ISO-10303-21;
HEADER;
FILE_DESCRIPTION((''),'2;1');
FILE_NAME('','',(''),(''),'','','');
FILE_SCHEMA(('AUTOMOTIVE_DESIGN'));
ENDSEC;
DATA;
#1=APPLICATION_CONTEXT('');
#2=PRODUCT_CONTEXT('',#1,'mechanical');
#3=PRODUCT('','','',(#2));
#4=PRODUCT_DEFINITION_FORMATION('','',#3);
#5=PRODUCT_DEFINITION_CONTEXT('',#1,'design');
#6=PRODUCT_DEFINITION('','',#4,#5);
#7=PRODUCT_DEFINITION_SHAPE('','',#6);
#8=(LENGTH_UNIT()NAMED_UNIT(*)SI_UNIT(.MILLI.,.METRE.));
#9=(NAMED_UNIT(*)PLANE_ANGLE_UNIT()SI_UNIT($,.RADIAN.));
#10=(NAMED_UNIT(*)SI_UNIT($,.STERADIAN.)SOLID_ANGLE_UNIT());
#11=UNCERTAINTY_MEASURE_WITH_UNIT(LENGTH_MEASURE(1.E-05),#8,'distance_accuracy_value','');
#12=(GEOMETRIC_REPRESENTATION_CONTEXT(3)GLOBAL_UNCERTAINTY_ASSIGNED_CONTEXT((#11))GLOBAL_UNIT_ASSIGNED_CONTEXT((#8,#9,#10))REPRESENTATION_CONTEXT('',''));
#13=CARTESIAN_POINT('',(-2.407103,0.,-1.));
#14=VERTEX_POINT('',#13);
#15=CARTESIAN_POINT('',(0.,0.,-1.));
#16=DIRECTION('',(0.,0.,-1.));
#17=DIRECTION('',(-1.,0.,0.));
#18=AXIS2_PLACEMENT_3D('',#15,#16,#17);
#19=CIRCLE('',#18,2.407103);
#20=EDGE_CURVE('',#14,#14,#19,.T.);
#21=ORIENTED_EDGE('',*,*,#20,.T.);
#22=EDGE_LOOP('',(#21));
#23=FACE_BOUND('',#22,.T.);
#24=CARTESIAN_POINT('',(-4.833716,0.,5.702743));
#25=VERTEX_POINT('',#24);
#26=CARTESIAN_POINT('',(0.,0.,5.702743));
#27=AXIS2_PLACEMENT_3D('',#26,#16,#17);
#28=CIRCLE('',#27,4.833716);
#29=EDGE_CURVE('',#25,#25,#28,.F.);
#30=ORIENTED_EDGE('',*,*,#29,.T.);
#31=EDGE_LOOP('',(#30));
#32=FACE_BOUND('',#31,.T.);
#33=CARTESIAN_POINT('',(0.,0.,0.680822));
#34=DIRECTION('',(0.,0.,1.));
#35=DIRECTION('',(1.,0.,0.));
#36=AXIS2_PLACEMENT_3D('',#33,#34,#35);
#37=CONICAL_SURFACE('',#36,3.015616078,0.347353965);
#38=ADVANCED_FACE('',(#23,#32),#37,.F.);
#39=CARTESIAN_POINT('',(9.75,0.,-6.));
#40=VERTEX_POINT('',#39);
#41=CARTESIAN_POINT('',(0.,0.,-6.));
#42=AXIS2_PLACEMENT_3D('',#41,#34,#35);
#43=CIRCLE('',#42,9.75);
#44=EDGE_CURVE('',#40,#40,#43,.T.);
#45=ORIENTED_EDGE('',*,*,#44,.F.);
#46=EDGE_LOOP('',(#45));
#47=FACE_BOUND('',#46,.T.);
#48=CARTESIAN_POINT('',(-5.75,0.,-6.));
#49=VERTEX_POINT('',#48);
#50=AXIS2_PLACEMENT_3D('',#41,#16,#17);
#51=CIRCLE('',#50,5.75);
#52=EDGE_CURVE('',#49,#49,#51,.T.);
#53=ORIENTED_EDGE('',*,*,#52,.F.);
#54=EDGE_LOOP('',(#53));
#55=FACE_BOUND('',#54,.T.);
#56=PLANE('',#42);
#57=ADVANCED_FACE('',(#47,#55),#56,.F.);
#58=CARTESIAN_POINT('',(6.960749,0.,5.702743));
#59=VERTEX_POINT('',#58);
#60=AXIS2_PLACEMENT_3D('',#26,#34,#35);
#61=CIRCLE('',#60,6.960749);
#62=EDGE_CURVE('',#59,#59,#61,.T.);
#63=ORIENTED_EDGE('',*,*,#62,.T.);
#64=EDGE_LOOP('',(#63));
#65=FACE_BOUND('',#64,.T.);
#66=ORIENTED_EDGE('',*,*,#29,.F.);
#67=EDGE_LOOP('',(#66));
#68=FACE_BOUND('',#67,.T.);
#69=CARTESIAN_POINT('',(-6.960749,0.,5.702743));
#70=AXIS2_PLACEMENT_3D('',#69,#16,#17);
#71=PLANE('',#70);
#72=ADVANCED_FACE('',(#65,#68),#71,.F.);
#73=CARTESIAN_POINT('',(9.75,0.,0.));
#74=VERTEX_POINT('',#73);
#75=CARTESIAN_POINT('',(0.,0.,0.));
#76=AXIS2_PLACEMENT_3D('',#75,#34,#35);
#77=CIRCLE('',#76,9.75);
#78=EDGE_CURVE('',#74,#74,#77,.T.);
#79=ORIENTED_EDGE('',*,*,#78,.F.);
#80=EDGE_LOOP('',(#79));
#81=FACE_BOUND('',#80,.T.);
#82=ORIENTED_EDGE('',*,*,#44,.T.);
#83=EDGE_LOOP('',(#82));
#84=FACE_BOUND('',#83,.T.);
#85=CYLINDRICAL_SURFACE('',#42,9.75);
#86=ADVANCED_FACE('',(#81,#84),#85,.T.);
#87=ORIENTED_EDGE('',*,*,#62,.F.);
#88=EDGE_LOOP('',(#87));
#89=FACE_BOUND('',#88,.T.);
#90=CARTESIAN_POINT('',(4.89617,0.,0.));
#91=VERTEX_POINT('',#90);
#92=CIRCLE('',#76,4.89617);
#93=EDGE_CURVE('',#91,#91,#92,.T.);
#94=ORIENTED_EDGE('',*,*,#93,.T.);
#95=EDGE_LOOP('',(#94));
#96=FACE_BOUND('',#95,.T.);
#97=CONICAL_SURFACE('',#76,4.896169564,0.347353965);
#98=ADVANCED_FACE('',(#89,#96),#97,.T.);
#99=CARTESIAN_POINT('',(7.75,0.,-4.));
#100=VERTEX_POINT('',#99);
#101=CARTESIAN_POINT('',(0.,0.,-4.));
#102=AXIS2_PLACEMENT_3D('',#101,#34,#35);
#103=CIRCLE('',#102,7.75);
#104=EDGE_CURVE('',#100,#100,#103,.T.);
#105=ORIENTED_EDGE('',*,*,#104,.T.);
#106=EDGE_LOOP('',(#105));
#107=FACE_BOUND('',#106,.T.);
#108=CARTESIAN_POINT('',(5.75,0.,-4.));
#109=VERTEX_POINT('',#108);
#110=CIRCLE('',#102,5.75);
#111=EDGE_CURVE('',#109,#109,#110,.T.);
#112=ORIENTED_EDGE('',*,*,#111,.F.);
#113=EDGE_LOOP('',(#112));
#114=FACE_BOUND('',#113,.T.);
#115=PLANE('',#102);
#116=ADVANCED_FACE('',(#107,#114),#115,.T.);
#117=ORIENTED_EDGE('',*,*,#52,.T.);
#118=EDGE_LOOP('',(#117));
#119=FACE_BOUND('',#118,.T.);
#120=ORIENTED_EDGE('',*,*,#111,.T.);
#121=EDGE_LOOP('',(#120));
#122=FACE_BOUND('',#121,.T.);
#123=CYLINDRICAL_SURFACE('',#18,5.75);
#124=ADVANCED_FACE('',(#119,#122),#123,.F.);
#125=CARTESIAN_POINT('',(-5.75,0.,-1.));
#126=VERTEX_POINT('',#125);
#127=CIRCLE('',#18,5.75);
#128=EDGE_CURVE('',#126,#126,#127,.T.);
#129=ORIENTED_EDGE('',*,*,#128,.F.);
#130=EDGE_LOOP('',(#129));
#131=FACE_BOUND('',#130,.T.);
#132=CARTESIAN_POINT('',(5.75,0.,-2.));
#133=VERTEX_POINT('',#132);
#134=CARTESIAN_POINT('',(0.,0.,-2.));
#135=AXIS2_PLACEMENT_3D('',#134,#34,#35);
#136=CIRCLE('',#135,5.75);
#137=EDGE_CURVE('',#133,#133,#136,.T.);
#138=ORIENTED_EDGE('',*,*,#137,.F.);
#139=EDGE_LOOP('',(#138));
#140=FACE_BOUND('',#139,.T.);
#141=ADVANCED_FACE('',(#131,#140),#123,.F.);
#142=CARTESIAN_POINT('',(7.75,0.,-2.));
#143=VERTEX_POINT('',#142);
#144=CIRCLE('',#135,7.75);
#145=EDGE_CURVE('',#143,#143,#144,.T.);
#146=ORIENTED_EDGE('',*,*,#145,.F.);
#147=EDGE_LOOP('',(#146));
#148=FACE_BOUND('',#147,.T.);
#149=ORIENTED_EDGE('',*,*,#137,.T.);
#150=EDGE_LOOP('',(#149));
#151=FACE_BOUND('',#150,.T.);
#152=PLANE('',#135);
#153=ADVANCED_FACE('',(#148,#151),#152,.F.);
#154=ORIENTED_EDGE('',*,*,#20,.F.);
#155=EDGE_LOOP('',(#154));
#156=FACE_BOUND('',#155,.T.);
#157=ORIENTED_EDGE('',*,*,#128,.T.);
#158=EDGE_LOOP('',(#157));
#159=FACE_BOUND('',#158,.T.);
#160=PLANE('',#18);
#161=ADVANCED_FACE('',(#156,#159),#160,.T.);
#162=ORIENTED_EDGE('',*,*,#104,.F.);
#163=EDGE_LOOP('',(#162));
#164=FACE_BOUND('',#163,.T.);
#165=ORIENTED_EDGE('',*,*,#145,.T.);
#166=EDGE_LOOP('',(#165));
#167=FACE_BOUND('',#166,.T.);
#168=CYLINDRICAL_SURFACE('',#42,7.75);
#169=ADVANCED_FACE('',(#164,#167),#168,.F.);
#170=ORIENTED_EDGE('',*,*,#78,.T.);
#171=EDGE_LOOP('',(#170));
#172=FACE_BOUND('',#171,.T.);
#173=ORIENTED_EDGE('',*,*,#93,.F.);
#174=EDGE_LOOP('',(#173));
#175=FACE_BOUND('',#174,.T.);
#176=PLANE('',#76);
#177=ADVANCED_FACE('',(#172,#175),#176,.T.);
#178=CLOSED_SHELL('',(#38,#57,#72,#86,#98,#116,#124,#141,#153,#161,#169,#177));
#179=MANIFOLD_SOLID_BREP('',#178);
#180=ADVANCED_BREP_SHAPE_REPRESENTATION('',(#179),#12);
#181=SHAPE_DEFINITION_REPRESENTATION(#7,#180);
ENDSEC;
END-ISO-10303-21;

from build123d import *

# Parameters (mm, degrees)
ESBO_O1_R                = 9.75
RESSALTO_EXTRUS_O1_DEPTH = 6
CASCA9_T                 = -2
ESBO_O3_R                = 2.045070657
CORTE_EXTRUS_O2_DEPTH    = 17.860255581
ESBO_O4_R                = 5.75
CORTE_EXTRUS_O3_DEPTH    = 5


with BuildPart() as part:
    # Esboço1 → Ressalto-extrusão1 (new body)
    with BuildSketch(Plane.XY):
        Circle(ESBO_O1_R)
    extrude(amount=-RESSALTO_EXTRUS_O1_DEPTH)

    # Esboço2 → Revolução1 (revolve)
    with BuildSketch(Plane(origin=(0, 0, 0), x_dir=(1, 0, 0), z_dir=(0, 1, 0)), mode=Mode.PRIVATE) as revolu_o1_sk:
        Polygon((0, 0), (-4.896169564, 0), (-6.960749361, -5.702742821), (0, -5.702742821), align=None)
    revolve(revolu_o1_sk.sketch.rotate(Axis((0, 0, 5.702742821), (0, 0, -1)), 180), axis=Axis((0, 0, 5.702742821), (0, 0, -1)))

    # Casca9
    casca9_openings = [part.faces().sort_by_distance(p)[0] for p in [
        (0, 0, 5.702742821),
    ]]
    offset(amount=CASCA9_T, openings=casca9_openings, kind=Kind.INTERSECTION)

    # Esboço3 → Corte-extrusão2 (cut, through all)
    with BuildSketch(Plane.XY.offset(-4)):
        Circle(ESBO_O3_R)
    extrude(amount=-CORTE_EXTRUS_O2_DEPTH, mode=Mode.SUBTRACT)

    # Esboço4 → Corte-extrusão3 (cut)
    with BuildSketch(Plane(origin=(0, 0, -6), x_dir=(-1, 0, 0), z_dir=(0, 0, -1))):
        Circle(ESBO_O4_R)
    extrude(amount=-CORTE_EXTRUS_O3_DEPTH, mode=Mode.SUBTRACT)


solid = part.part
